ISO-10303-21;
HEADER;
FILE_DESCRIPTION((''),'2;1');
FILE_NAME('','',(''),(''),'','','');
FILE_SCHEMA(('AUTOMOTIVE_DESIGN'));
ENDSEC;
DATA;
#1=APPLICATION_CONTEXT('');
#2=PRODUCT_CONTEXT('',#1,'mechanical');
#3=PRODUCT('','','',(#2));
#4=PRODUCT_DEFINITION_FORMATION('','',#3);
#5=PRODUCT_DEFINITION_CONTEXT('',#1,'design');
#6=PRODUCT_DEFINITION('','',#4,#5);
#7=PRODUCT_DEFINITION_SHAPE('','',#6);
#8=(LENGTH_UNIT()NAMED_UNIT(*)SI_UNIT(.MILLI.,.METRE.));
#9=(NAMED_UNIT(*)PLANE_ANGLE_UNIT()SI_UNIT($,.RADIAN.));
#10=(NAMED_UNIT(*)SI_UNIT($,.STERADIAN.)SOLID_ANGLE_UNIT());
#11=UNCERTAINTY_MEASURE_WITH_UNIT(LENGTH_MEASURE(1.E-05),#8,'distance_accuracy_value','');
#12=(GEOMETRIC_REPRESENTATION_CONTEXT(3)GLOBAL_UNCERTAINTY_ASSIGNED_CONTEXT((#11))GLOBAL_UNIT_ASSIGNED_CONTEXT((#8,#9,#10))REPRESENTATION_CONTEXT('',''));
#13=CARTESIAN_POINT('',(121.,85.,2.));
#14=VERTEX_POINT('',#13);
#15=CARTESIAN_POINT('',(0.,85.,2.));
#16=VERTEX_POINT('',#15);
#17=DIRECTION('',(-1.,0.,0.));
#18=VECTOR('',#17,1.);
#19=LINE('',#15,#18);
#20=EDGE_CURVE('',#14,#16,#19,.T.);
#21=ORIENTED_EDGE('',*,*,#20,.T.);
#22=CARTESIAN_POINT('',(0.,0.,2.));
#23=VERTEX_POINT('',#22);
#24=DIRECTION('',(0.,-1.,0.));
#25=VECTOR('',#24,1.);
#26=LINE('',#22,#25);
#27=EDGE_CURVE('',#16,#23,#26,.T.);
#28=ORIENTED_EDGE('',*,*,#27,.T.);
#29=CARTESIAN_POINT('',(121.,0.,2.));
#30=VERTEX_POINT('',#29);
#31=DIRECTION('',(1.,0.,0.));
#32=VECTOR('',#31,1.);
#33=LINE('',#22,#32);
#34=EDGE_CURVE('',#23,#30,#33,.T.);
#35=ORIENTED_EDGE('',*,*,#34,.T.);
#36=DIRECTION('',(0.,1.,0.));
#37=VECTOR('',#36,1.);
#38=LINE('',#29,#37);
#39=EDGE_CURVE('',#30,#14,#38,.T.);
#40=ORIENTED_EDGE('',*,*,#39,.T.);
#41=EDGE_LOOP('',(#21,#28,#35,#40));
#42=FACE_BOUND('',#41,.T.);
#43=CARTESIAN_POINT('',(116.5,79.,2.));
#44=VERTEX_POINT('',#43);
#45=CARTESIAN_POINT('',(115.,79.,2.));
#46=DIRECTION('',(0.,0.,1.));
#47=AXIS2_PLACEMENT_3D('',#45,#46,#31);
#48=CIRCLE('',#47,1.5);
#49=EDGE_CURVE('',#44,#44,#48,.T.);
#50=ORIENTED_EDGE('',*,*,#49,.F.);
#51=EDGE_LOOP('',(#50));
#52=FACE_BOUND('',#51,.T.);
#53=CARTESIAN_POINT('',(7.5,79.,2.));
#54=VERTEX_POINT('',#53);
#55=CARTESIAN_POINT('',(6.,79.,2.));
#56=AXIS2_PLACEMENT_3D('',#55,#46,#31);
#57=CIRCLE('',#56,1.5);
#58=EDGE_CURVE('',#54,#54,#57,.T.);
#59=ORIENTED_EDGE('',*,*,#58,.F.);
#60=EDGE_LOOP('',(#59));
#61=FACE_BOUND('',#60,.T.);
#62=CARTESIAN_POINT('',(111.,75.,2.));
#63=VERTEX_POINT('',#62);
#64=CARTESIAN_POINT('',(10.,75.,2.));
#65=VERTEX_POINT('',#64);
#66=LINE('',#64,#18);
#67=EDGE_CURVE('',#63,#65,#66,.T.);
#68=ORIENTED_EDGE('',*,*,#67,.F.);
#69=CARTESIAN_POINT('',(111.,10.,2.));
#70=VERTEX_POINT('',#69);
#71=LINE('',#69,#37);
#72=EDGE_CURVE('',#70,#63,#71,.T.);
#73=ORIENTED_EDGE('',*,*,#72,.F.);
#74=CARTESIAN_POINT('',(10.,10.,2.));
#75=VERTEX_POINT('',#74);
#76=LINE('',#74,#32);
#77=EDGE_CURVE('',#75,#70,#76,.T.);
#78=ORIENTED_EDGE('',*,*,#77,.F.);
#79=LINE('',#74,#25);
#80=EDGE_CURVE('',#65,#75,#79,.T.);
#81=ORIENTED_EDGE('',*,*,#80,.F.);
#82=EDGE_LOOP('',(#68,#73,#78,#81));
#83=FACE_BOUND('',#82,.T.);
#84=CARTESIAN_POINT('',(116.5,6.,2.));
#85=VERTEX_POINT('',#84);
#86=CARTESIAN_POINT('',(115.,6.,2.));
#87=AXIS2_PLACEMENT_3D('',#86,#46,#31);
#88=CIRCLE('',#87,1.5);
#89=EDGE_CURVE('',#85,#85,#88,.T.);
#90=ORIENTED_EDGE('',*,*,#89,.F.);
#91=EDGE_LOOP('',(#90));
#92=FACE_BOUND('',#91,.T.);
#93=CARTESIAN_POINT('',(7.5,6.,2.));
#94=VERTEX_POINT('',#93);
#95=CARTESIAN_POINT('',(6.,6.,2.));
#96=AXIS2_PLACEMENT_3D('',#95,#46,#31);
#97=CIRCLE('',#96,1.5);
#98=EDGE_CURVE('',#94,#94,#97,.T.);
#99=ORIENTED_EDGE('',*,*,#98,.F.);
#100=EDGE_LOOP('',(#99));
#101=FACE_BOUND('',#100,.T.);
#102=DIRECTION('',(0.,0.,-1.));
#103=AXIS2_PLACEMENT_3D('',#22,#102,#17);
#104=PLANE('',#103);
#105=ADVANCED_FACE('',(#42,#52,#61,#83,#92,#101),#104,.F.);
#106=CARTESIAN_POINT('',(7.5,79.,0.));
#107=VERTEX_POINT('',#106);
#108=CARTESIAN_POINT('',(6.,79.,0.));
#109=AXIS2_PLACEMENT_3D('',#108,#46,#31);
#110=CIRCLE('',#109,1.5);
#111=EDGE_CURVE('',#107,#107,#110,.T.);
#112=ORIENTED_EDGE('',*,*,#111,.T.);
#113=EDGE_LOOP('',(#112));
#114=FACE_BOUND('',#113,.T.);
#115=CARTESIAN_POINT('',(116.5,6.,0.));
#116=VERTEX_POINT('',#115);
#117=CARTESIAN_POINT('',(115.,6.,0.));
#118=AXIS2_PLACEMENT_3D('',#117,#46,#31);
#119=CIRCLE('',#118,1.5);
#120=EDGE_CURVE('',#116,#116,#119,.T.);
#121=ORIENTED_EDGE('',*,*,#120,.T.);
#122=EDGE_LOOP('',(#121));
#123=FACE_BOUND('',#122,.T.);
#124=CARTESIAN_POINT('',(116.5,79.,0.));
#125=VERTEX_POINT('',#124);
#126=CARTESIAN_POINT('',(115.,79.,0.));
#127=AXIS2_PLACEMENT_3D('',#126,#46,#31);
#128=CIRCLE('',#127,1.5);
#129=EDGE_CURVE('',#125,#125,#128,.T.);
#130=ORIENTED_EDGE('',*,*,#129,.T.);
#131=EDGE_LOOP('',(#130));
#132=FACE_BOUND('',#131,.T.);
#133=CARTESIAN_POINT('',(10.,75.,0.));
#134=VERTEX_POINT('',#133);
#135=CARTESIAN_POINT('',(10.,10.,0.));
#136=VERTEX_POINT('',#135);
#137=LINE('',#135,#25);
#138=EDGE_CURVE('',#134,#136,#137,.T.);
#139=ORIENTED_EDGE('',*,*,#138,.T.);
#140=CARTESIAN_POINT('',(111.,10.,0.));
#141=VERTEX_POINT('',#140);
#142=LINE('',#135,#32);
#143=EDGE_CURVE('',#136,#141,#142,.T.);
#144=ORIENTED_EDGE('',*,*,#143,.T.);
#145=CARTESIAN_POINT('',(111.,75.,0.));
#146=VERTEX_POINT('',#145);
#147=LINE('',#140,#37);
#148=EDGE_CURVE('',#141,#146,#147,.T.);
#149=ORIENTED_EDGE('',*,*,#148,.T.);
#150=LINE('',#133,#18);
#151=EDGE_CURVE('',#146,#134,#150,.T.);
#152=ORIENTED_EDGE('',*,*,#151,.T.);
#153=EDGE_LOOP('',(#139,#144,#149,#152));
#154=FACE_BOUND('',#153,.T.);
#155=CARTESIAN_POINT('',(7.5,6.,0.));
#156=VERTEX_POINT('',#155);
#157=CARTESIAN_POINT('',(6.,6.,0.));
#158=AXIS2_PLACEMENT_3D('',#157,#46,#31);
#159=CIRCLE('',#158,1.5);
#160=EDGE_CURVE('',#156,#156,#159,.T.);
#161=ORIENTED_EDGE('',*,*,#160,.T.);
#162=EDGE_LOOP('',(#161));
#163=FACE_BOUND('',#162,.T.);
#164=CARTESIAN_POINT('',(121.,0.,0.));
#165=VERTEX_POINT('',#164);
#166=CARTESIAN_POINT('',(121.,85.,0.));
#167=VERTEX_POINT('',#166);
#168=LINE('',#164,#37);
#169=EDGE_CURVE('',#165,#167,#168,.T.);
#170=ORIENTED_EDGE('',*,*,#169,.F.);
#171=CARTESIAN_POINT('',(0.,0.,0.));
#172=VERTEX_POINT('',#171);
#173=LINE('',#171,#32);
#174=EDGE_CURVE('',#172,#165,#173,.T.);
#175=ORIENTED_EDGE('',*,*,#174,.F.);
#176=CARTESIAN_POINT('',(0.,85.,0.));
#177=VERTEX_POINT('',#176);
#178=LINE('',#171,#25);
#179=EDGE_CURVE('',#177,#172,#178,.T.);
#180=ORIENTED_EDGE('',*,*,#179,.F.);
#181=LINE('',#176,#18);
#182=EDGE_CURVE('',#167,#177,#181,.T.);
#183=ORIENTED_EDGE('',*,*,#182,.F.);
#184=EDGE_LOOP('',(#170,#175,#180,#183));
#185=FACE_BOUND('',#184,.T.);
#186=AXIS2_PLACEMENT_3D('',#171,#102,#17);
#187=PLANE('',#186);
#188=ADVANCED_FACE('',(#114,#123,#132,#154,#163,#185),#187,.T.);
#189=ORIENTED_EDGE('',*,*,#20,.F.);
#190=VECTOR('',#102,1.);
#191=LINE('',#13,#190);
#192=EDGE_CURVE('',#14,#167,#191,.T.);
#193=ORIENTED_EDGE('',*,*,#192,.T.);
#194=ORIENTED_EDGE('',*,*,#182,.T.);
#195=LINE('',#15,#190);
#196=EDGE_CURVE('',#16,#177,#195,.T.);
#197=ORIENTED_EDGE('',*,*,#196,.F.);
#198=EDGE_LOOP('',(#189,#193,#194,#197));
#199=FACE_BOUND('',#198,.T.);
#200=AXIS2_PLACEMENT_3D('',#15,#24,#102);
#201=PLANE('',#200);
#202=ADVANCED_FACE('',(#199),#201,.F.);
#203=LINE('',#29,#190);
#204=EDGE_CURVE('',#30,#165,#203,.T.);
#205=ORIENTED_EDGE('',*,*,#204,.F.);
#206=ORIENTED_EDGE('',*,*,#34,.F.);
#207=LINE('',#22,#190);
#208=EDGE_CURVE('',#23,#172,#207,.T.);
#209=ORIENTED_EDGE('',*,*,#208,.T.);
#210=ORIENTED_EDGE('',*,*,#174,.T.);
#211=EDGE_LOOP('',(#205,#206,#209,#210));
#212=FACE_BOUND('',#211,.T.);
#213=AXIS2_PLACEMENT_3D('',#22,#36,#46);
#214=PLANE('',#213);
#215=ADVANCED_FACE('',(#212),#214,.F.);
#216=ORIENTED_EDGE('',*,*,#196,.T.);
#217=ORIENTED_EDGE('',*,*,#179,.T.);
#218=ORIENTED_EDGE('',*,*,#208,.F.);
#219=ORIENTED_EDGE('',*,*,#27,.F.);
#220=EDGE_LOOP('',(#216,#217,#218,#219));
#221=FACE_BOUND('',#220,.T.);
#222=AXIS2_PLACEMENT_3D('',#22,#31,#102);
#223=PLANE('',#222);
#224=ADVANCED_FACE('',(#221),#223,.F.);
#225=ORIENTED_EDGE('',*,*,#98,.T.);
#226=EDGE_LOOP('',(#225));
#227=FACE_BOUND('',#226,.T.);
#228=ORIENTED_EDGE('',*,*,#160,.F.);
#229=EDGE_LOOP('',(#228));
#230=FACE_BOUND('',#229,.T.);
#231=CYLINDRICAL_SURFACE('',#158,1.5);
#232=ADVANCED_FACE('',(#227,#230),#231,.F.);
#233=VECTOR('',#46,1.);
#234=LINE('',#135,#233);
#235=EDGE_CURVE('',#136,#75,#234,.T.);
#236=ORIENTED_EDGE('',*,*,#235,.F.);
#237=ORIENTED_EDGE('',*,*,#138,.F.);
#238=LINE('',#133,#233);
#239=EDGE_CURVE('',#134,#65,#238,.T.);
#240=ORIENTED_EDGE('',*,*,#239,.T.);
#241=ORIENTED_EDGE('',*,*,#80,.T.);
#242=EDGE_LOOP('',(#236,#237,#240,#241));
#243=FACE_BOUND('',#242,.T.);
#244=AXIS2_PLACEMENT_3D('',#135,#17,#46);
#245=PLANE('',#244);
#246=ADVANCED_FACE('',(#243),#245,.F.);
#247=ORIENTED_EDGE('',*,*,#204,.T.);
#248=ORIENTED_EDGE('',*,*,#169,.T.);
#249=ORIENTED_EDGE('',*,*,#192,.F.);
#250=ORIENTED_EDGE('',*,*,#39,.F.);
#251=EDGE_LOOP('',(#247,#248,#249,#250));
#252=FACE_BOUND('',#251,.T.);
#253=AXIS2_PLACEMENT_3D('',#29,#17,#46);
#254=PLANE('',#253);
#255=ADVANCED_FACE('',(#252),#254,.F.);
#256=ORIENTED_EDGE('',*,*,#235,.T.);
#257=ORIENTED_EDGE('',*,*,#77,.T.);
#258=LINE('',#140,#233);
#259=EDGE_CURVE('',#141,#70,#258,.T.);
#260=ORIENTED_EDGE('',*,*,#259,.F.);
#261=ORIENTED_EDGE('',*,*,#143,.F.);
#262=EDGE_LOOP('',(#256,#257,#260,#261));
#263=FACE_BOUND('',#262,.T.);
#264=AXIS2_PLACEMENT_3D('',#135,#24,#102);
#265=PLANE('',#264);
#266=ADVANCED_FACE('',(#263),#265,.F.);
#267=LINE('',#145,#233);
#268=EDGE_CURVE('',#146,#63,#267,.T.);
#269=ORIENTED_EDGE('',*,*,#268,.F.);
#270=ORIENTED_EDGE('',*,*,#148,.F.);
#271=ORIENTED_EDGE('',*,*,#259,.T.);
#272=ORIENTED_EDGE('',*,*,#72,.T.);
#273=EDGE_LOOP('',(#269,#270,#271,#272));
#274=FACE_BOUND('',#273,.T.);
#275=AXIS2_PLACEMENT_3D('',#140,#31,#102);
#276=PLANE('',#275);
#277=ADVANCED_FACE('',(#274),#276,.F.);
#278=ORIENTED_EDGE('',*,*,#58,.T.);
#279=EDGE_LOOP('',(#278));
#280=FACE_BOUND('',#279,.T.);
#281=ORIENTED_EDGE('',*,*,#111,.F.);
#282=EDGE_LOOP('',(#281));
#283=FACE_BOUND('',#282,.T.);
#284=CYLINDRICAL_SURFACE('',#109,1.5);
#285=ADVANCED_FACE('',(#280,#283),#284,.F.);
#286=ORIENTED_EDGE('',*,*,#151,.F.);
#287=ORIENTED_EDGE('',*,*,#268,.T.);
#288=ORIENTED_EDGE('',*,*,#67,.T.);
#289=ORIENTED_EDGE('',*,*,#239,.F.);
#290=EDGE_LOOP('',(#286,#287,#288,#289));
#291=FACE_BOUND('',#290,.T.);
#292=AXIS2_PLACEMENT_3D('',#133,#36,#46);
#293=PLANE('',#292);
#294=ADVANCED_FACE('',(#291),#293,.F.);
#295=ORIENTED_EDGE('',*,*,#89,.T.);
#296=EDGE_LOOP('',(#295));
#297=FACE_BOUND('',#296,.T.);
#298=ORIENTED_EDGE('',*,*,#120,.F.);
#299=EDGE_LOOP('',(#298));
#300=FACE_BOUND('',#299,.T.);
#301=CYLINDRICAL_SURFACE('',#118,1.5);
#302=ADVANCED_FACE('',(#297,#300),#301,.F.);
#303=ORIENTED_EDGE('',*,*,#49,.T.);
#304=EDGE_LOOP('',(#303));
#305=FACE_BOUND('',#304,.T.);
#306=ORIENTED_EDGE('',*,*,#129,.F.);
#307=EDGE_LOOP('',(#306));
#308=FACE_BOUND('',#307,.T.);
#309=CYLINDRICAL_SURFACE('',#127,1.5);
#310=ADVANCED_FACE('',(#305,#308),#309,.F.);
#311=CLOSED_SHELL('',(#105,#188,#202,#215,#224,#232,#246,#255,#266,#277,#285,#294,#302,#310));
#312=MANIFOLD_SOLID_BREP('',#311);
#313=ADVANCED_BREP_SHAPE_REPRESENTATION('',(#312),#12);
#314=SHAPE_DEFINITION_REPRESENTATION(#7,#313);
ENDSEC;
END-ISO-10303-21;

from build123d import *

# Parameters (mm, degrees)
SKETCH1_W           = 121
SKETCH1_H           = 85
BOSS_EXTRUDE1_DEPTH = 2
SKETCH4_W           = 101
SKETCH4_H           = 65
CUT_EXTRUDE1_DEPTH  = 148.885090526
SKETCH5_R           = 1.5
CUT_EXTRUDE2_DEPTH  = 148.885090526


with BuildPart() as part:
    # Sketch1 → Boss-Extrude1 (new body)
    with BuildSketch(Plane.XY):
        with Locations((60.5, 42.5)):
            Rectangle(SKETCH1_W, SKETCH1_H)
    extrude(amount=BOSS_EXTRUDE1_DEPTH)

    # Sketch4 → Cut-Extrude1 (cut, through all)
    with BuildSketch(Plane.XY.offset(2)):
        with Locations((60.5, 42.5)):
            Rectangle(SKETCH4_W, SKETCH4_H)
    extrude(amount=-CUT_EXTRUDE1_DEPTH, mode=Mode.SUBTRACT)

    # Sketch5 → Cut-Extrude2 (cut, through all)
    with BuildSketch(Plane.XY.offset(2)):
        with Locations((6, 79)):
            Circle(SKETCH5_R)
        with Locations((115, 79)):
            Circle(SKETCH5_R)
        with Locations((6, 6)):
            Circle(SKETCH5_R)
        with Locations((115, 6)):
            Circle(SKETCH5_R)
    extrude(amount=-CUT_EXTRUDE2_DEPTH, mode=Mode.SUBTRACT)


solid = part.part
